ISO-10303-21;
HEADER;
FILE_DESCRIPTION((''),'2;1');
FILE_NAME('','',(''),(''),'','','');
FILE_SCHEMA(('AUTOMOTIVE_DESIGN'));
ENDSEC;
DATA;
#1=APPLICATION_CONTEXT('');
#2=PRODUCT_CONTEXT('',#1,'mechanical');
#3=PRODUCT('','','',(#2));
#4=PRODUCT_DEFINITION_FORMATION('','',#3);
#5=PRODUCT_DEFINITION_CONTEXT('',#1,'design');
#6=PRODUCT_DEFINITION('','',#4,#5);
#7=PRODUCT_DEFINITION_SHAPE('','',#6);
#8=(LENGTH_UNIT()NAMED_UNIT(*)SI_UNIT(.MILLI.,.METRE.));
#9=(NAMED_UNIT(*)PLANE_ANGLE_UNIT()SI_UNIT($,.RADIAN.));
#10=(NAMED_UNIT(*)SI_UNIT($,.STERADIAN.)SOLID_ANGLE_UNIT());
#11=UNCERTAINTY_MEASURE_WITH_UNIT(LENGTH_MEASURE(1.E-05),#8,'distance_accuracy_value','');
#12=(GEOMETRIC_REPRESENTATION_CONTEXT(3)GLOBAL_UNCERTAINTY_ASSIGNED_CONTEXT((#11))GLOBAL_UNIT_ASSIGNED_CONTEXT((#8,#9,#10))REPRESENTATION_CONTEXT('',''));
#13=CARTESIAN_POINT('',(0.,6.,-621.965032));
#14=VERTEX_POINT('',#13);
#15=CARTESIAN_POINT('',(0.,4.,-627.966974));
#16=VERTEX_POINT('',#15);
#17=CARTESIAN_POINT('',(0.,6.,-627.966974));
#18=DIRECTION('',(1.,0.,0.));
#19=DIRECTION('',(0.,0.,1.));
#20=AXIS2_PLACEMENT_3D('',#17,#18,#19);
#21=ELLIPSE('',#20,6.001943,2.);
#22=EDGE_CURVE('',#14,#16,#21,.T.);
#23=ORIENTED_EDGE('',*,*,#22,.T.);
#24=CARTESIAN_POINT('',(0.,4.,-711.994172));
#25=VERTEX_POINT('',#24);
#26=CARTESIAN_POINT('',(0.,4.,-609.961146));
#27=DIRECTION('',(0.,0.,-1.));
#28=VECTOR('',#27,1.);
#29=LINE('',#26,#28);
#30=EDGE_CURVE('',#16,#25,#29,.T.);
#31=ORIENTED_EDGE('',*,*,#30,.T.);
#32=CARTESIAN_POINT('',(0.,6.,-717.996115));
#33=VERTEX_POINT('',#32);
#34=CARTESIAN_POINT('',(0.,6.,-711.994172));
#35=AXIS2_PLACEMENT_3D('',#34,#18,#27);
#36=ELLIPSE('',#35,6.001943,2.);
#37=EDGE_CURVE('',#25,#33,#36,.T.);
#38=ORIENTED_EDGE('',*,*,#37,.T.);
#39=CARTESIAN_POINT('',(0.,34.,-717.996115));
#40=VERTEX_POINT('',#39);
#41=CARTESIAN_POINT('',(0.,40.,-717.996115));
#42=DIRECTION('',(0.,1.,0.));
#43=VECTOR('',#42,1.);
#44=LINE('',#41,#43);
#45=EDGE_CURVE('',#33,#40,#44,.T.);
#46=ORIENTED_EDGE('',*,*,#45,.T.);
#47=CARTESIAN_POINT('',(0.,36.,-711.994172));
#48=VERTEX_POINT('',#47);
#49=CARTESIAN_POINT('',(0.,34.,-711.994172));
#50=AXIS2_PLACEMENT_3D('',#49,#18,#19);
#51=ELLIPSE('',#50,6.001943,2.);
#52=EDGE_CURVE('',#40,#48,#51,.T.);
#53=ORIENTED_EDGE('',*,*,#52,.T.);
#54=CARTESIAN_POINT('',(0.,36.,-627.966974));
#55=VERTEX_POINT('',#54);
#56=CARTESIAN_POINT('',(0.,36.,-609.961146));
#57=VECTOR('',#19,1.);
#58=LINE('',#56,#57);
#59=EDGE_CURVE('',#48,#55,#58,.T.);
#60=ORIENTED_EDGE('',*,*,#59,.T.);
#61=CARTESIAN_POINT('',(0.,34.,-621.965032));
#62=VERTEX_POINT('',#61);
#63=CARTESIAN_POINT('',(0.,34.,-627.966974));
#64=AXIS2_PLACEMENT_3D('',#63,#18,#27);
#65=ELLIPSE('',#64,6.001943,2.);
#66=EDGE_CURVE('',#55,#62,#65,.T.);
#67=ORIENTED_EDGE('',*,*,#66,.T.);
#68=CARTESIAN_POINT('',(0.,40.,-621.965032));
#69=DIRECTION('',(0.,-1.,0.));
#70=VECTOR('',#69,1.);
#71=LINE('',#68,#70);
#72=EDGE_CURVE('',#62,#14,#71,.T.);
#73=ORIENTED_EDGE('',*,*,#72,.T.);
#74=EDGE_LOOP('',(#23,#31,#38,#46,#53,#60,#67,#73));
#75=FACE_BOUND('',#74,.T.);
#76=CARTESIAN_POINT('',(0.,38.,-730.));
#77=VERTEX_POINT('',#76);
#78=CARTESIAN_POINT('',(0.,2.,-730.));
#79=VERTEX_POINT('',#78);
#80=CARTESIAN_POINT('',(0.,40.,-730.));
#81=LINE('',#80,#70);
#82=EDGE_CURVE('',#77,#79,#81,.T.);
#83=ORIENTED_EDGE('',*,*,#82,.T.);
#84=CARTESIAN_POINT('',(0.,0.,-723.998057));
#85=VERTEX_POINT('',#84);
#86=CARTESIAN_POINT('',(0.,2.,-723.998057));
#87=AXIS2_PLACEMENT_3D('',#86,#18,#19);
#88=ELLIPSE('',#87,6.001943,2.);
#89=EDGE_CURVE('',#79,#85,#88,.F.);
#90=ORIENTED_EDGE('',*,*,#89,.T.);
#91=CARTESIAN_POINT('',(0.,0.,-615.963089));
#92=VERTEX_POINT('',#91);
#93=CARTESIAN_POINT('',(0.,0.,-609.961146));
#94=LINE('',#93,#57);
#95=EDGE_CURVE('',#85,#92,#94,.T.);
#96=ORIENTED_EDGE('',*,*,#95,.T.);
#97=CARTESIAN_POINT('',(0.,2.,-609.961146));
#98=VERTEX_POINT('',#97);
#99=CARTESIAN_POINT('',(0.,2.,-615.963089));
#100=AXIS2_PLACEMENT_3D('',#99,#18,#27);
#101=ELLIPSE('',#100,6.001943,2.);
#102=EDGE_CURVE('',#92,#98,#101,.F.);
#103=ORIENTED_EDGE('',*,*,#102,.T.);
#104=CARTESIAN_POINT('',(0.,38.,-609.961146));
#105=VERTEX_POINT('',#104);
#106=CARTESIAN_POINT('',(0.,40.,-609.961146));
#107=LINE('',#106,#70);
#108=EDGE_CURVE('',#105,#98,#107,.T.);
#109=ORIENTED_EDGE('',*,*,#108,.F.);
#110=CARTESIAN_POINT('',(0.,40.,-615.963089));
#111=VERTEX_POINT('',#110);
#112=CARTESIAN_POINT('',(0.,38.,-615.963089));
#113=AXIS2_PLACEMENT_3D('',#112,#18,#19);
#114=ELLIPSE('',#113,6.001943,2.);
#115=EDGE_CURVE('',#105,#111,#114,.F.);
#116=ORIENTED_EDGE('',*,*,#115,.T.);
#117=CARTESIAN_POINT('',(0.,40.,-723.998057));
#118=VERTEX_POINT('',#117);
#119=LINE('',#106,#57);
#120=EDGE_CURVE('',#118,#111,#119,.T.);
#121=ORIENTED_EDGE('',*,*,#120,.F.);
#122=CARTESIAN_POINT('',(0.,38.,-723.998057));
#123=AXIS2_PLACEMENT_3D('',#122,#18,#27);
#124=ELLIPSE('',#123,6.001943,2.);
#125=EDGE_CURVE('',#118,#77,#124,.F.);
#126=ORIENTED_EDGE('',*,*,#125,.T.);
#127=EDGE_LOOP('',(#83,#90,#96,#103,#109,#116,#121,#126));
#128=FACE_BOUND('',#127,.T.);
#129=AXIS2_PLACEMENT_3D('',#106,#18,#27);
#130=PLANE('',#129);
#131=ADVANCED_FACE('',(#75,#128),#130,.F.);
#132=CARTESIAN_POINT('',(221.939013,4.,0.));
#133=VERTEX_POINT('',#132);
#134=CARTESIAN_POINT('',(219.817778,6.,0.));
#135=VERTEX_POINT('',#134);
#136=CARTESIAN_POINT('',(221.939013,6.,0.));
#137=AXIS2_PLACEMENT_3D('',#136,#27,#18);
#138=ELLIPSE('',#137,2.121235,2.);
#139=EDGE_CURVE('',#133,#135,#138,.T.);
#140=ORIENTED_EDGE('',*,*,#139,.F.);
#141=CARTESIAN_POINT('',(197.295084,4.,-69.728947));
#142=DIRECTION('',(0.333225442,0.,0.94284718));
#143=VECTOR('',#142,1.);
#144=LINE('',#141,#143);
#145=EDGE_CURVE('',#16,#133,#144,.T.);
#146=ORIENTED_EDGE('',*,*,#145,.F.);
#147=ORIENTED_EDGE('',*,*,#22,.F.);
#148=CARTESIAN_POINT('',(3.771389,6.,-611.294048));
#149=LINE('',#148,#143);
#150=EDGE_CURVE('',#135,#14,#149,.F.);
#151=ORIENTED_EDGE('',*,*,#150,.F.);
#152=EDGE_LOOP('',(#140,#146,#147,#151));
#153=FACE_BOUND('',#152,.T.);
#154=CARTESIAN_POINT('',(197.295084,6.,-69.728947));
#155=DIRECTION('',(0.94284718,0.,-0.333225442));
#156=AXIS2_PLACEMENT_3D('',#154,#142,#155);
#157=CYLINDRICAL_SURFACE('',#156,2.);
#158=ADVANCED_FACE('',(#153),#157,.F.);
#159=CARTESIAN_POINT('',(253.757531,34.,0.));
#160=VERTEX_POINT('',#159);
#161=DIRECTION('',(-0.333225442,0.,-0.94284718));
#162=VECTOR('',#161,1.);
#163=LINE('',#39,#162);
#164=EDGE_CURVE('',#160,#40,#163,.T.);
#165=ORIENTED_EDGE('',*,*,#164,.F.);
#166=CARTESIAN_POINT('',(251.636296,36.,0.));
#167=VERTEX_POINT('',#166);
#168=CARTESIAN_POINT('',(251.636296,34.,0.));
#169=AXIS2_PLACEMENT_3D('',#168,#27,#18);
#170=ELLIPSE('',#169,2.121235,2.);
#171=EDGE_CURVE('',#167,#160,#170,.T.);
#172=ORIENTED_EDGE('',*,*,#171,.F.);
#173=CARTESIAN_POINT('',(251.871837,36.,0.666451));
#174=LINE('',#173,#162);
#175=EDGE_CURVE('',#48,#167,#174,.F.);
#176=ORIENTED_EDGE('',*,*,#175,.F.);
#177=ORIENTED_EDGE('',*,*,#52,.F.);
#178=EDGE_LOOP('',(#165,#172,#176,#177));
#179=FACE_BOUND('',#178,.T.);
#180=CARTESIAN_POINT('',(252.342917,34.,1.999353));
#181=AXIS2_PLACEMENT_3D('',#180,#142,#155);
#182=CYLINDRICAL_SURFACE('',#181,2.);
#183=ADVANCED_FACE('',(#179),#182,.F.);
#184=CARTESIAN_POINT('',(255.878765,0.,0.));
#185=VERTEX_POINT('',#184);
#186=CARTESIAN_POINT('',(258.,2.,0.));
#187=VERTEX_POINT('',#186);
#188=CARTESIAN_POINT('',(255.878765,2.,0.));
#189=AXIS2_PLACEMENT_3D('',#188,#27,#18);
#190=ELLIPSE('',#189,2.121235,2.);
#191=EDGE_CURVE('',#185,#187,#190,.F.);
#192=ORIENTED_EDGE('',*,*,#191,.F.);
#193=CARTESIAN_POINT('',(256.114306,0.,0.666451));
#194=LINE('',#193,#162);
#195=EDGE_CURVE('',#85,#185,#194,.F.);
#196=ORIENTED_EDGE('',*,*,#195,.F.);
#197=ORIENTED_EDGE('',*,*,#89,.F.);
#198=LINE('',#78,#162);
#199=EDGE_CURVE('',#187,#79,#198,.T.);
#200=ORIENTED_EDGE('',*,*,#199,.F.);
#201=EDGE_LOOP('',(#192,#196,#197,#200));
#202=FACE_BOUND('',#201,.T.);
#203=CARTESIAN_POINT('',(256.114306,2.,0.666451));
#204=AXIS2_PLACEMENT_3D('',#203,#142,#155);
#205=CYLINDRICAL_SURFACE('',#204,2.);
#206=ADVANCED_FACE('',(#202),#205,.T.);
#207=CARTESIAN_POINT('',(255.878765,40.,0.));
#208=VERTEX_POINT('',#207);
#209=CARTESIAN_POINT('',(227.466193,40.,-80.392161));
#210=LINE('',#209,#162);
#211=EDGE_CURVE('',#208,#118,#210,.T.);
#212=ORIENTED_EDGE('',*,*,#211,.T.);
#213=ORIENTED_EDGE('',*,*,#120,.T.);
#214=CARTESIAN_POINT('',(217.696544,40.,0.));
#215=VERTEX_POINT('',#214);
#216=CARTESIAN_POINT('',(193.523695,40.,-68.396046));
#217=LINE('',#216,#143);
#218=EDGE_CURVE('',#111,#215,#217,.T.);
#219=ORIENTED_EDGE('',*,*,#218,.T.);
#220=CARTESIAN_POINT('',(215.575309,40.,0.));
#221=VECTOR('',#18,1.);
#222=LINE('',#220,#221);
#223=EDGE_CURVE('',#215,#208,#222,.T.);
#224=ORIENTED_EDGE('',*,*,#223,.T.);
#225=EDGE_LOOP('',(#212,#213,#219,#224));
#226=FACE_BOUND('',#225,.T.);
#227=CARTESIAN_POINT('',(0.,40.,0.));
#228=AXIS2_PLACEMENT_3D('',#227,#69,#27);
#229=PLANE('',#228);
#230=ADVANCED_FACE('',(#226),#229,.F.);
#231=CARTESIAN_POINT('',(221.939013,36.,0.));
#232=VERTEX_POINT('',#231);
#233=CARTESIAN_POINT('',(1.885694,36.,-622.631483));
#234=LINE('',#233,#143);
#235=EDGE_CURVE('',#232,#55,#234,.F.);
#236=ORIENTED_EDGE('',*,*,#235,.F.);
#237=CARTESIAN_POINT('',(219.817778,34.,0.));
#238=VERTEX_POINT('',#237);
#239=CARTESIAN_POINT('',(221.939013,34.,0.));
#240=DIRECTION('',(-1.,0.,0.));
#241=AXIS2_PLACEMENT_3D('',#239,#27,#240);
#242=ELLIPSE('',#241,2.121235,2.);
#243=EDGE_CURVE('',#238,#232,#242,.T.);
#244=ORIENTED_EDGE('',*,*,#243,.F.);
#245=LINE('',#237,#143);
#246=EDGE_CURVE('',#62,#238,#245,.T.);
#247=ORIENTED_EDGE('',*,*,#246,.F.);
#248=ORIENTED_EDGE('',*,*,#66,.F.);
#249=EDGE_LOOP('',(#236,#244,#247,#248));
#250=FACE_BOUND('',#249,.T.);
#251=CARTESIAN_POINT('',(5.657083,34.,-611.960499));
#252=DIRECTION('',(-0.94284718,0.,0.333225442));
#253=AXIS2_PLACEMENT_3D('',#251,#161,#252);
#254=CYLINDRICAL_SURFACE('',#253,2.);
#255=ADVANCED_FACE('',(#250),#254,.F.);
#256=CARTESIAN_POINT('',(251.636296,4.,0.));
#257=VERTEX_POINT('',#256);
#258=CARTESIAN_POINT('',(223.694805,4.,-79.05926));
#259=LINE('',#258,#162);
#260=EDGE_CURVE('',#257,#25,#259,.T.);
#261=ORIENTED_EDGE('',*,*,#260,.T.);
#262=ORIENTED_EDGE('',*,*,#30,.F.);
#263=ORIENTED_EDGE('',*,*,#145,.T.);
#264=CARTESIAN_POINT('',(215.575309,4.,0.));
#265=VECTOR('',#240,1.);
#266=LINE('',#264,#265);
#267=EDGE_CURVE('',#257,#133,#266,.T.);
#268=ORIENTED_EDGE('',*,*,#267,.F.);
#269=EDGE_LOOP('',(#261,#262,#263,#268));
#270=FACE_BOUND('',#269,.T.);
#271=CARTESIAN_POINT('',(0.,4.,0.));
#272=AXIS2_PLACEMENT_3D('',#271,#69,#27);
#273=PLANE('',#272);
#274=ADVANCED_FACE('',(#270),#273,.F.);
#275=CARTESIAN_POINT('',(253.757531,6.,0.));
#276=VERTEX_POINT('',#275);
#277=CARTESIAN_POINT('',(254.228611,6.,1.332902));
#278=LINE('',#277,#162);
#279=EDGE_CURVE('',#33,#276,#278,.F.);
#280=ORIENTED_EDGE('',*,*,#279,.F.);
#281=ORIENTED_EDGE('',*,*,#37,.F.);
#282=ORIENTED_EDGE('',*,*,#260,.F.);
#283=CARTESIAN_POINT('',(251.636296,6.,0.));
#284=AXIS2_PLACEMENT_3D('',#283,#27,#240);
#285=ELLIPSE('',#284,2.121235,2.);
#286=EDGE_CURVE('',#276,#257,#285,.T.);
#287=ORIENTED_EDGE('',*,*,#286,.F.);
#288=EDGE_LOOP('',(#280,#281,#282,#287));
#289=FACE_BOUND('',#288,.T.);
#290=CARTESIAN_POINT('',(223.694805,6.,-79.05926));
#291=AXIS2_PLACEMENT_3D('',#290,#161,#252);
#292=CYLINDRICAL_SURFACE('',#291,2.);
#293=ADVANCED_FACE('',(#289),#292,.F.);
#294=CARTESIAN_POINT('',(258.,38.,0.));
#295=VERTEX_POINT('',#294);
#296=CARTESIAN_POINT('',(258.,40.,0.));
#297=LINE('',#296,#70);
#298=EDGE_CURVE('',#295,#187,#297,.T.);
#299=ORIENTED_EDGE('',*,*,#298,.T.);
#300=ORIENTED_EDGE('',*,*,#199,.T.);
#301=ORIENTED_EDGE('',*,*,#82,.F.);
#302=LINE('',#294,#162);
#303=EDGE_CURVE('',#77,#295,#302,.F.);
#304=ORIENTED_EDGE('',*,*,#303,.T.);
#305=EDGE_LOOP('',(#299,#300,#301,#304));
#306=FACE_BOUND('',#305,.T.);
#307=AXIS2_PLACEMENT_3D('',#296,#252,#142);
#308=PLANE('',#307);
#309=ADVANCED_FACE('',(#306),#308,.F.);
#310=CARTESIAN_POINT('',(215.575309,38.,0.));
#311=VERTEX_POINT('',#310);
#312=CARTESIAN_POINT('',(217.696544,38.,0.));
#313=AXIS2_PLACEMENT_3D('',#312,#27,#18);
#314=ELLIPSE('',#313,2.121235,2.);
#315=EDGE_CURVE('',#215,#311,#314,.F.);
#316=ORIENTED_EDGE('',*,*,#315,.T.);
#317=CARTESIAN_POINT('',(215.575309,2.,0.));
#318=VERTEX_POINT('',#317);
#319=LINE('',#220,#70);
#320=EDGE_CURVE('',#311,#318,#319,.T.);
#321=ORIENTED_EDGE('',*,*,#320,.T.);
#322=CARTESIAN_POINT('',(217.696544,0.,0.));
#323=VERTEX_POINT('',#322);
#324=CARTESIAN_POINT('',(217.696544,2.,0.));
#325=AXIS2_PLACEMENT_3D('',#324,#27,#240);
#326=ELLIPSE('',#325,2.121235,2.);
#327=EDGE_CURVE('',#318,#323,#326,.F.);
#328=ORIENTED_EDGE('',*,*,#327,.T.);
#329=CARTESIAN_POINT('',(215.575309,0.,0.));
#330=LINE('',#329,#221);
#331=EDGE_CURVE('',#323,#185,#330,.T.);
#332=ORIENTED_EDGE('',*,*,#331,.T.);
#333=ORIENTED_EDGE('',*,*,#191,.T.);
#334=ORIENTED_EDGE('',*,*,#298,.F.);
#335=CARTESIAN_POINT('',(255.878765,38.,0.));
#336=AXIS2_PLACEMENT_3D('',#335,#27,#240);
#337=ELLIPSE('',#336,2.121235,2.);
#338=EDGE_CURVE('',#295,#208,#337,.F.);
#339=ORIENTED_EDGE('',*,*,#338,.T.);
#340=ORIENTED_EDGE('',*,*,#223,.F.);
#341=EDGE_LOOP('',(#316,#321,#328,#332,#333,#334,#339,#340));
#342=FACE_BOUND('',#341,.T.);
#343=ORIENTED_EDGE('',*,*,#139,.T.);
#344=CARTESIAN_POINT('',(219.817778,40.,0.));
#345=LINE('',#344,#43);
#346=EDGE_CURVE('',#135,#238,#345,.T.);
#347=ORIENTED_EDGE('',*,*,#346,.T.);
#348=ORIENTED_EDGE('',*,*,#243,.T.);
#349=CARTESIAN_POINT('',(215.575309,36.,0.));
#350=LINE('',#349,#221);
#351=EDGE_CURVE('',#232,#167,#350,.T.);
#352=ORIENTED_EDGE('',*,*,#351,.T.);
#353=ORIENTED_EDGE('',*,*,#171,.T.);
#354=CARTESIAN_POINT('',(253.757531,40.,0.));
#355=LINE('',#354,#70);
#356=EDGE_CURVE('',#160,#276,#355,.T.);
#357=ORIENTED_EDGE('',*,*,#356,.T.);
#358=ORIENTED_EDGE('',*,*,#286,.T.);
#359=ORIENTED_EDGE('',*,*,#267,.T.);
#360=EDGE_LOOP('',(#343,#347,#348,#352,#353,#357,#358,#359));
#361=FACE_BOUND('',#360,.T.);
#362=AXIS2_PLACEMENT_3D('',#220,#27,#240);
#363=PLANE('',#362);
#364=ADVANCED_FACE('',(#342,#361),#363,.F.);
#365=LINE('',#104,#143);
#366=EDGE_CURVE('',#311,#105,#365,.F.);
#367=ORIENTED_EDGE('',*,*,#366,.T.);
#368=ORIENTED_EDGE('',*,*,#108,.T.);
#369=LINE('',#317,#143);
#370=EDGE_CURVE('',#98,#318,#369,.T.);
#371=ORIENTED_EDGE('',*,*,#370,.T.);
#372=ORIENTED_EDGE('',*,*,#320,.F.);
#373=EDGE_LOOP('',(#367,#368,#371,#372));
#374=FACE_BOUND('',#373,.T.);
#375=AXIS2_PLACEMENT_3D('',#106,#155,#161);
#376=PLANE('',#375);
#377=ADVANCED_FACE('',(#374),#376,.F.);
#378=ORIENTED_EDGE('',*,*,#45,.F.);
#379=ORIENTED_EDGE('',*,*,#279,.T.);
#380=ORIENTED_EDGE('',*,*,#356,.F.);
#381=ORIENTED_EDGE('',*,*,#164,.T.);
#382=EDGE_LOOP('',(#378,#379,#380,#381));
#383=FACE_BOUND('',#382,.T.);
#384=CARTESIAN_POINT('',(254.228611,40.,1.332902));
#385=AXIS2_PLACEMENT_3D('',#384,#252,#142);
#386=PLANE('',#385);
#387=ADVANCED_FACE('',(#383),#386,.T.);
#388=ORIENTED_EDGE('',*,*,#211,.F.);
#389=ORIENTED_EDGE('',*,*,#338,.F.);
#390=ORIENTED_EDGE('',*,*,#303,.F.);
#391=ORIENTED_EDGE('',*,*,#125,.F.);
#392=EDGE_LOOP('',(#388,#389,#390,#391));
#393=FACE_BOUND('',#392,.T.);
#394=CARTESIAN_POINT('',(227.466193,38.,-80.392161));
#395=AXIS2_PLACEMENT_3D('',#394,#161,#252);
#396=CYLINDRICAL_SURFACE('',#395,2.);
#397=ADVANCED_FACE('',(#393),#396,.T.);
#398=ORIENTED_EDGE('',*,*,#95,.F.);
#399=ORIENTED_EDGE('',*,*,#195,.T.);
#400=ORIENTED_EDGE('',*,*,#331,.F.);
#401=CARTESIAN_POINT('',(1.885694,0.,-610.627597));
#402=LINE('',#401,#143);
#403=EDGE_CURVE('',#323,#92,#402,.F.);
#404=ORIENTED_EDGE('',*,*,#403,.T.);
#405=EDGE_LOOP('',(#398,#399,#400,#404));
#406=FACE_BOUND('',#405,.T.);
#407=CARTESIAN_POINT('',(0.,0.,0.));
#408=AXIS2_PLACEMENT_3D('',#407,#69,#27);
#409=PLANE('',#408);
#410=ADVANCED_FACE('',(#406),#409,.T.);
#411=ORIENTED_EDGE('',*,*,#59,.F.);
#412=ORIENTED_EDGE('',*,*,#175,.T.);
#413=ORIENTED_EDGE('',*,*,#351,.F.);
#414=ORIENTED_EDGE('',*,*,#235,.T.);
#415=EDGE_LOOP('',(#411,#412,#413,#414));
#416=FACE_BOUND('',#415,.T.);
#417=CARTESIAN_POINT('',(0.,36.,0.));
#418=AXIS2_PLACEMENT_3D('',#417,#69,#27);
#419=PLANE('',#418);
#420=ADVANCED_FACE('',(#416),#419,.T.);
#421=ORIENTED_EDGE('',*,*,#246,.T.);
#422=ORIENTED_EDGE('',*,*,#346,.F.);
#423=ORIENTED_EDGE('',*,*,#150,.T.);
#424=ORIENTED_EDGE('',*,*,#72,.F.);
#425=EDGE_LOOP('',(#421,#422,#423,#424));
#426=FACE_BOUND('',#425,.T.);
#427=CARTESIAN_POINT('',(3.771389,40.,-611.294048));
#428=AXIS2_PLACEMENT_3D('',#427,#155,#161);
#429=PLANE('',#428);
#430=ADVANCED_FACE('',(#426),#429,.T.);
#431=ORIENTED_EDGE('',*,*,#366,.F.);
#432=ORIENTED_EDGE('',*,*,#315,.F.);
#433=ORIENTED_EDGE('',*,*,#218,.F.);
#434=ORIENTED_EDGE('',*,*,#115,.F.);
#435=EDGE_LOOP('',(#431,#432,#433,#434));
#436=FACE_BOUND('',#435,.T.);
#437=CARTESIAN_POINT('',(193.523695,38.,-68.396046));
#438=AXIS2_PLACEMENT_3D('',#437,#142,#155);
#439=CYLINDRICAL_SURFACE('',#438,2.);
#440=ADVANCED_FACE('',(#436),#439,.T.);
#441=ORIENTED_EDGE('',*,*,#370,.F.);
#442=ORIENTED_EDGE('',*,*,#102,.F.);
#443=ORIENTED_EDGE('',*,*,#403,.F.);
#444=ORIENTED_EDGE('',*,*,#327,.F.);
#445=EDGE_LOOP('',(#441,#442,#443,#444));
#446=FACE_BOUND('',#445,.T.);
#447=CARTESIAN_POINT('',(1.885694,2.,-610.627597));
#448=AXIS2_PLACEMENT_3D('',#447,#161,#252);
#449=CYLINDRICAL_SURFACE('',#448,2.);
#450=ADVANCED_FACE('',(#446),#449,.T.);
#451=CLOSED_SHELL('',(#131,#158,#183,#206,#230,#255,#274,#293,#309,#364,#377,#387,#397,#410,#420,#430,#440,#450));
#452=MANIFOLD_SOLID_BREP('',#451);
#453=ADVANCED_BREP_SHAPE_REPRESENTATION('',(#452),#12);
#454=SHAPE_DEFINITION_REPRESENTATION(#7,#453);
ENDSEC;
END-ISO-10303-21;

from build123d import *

# Parameters (mm, degrees)
BOSS_EXTRU_1_DEPTH           = 40
COQUE1_T                     = 4
ENL_V_MAT_EXTRU_1_DEPTH      = 833.320761278
ENL_V_MAT_EXTRU_1_DEPTH_BACK = 833.320761278
ESQUISSE2_W                  = 32
ESQUISSE2_H                  = 32
CONG_1_R                     = 2


with BuildPart() as part:
    # Esquisse1 → Boss.-Extru.1 (new body)
    with BuildSketch(Plane(origin=(0, 0, 0), x_dir=(1, 0, 0), z_dir=(0, 1, 0))):
        Polygon((0, 609.961146446), (215.575309292, 0), (258, 0), (0, 730), align=None)
    extrude(amount=BOSS_EXTRU_1_DEPTH)

    # Coque1 (no face opened: a closed hollow body)
    add(offset(amount=-COQUE1_T, mode=Mode.PRIVATE), mode=Mode.SUBTRACT)

    # Esquisse2 → Enlèv. mat.-Extru.1 (cut, two sides: drawn at the far end of the back side and taken through both)
    with BuildSketch(Plane(origin=(23.937308809, 0, 67.729594691), x_dir=(0, -1, 0), z_dir=(-0.33322544172708785, 0, -0.9428471800805194)).offset(-ENL_V_MAT_EXTRU_1_DEPTH_BACK)):
        with Locations((-20, -223.254572461)):
            Rectangle(ESQUISSE2_W, ESQUISSE2_H)
    extrude(amount=ENL_V_MAT_EXTRU_1_DEPTH + ENL_V_MAT_EXTRU_1_DEPTH_BACK, mode=Mode.SUBTRACT)

    # Congé1
    cong_1_edges = [part.edges().sort_by_distance(p)[0] for p in [
        (129, 40, -365),
        (109.908889181, 4, -310.982515901),
        (126.878765465, 4, -358.998057322),
        (109.908889181, 36, -310.982515901),
        (126.878765465, 36, -358.998057322),
        (129, 0, -365),
        (107.787654646, 0, -304.980573223),
        (107.787654646, 40, -304.980573223),
    ]]
    fillet(cong_1_edges, radius=CONG_1_R)


solid = part.part
